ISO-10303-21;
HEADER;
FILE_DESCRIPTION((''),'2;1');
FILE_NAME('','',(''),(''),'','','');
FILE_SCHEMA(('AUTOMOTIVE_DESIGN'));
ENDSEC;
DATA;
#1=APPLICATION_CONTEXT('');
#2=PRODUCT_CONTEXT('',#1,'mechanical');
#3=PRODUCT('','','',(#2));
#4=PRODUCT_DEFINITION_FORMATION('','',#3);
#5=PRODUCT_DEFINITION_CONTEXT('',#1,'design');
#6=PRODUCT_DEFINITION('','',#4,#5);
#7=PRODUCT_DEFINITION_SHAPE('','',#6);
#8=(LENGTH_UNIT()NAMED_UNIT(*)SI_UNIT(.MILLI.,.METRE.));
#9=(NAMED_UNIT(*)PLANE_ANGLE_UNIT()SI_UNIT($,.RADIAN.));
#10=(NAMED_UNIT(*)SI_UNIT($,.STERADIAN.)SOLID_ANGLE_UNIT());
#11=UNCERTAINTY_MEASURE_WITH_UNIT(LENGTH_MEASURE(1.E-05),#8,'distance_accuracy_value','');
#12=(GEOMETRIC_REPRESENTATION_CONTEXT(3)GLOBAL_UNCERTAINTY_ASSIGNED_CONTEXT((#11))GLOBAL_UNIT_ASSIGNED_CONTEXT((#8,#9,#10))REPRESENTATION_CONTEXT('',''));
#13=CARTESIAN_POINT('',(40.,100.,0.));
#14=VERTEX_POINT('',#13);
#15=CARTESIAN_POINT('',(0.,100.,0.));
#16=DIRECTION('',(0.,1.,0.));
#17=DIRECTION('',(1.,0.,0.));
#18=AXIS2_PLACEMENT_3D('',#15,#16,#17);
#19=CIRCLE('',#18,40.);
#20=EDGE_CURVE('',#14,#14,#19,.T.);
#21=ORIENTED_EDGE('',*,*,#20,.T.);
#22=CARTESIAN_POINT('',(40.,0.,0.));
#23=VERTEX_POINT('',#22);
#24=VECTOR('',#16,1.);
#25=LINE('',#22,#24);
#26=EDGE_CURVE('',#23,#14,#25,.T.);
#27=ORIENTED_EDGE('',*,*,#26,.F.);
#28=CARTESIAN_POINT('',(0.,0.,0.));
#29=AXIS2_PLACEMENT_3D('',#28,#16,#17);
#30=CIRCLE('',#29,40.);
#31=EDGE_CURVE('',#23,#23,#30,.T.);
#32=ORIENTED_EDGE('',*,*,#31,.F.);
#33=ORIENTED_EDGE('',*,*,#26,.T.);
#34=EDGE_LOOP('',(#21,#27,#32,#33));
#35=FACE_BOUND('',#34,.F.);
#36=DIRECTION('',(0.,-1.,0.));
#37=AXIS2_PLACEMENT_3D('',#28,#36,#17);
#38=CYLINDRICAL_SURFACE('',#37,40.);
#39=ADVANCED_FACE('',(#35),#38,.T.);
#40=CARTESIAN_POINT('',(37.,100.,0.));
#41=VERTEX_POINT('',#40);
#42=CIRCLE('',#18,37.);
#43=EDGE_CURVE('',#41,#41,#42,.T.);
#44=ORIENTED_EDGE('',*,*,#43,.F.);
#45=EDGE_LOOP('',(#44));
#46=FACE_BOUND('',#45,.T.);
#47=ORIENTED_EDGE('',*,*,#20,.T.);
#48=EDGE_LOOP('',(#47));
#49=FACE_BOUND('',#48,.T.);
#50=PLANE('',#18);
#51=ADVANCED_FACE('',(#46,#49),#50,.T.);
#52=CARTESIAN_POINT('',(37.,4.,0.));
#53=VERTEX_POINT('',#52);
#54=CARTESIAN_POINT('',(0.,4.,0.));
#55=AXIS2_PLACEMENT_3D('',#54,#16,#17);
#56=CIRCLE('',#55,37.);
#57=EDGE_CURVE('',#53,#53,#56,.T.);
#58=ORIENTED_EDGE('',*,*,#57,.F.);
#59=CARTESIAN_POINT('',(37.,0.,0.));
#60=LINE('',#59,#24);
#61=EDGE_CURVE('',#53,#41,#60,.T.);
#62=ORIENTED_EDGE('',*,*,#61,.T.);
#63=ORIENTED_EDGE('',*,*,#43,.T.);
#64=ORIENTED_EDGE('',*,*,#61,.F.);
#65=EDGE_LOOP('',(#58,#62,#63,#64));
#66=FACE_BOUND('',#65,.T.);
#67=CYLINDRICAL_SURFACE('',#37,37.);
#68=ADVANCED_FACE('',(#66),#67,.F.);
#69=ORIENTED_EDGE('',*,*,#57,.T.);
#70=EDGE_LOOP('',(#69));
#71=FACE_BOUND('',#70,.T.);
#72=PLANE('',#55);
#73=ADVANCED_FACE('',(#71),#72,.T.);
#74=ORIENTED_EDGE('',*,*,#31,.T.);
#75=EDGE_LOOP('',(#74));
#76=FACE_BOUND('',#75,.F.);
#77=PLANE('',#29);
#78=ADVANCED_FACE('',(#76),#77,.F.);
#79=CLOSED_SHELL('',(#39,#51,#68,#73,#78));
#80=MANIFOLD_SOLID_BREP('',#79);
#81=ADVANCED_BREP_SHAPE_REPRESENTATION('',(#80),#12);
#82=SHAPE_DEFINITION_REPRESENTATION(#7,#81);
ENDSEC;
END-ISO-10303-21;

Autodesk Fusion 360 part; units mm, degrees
sketch "Sketch1" plane through (0, 0, 0) normal (0, 1, 0) x (1, 0, 0)
  circle A0 centre (0, 0) radius 40
  circle A1 centre (0, 0) radius 37
  dimension "d1" = 80
  dimension "d7" = 3
extrude "Extrude1" add sketch "Sketch1" along normal blind 100 makes body 1
extrude "Extrude2" add sketch "Sketch1" along normal blind 4 contours A1 bodies 1
copy_body "Body->Comp1" bodies 1 removing the originals makes body 2 in component "tubeToolHolder05"
component "tubeToolHolder05" placed x (1, 0, 0) y (0, 1, 0) z (0, 0, 1) at (0, 0, 0)
